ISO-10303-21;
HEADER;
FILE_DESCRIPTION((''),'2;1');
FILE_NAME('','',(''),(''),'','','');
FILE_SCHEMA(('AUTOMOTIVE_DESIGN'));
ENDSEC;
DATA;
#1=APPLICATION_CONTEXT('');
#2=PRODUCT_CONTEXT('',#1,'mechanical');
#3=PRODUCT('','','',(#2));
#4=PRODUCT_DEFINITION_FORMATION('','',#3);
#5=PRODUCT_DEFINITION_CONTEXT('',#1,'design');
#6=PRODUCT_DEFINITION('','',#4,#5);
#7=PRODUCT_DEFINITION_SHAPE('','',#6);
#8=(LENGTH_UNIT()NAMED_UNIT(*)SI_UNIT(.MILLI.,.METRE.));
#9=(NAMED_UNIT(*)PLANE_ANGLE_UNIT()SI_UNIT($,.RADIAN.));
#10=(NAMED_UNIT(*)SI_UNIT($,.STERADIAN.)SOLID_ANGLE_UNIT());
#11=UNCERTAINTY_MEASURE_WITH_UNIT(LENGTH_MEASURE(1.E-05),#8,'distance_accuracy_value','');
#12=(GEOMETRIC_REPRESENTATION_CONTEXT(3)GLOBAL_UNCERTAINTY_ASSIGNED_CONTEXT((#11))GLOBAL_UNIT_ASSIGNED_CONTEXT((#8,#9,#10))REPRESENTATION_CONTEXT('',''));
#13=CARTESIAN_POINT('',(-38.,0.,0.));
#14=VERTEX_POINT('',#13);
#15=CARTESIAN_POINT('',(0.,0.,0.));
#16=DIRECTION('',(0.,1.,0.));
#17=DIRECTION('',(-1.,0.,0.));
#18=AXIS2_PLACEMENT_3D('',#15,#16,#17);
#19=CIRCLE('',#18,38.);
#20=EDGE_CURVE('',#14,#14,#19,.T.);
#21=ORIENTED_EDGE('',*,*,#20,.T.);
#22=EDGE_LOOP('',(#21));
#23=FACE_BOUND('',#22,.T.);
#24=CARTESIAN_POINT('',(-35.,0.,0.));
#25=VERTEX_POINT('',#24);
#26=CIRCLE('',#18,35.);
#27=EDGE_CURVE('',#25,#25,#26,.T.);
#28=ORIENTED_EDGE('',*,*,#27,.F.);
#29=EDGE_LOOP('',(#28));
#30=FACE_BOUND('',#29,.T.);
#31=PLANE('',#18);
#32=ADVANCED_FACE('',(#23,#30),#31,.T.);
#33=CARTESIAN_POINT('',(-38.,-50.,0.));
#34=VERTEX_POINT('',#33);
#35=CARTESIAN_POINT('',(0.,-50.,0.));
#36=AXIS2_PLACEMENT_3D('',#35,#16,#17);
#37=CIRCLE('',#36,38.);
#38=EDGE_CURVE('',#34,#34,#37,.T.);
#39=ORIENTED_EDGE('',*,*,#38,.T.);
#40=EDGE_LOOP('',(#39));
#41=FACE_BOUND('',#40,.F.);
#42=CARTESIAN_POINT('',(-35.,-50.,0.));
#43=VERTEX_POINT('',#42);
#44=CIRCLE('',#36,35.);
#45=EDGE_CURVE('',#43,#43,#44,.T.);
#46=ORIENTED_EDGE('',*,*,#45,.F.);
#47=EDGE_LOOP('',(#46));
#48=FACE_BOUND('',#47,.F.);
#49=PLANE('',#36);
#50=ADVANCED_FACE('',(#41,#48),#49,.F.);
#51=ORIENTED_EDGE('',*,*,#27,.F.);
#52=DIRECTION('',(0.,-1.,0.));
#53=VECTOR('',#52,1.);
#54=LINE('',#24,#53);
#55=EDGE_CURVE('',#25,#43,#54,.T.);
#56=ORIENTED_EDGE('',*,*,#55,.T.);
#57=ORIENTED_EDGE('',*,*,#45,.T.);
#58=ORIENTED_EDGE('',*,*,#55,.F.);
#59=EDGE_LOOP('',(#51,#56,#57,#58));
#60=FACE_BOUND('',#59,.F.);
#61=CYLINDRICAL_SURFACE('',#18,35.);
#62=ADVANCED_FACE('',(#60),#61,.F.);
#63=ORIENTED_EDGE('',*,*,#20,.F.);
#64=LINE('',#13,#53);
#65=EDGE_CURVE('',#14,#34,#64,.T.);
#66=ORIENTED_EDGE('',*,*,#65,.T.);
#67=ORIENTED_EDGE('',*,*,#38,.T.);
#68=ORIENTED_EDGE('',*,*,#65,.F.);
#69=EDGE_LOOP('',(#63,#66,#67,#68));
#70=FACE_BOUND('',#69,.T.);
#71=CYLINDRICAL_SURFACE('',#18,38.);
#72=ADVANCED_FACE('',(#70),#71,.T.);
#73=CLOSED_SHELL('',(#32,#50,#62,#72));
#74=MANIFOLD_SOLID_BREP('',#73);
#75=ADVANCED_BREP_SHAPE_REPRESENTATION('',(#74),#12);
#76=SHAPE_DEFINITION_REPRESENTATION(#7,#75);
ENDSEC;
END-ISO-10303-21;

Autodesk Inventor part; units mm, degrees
ref_plane "YZ Plane" through (0, 0, 0) normal (1, 0, 0) x (0, 1, 0)
ref_plane "XZ Plane" through (0, 0, 0) normal (0, 1, 0) x (-1, 0, 0)
ref_plane "XY Plane" through (0, 0, 0) normal (0, 0, 1) x (1, 0, 0)
sketch "Sketch1" plane through (0, 0, 0) normal (0, 1, 0) x (-1, 0, 0)
  circle A0 centre (0, 0) radius 38
  circle A1 centre (0, 0) radius 35
  dimension "d0" = 76
  dimension "d1" = 3
extrude "Extrusion1" add sketch "Sketch1" against normal blind 50
properties part number "TZS 1234 FDS tube 4"
